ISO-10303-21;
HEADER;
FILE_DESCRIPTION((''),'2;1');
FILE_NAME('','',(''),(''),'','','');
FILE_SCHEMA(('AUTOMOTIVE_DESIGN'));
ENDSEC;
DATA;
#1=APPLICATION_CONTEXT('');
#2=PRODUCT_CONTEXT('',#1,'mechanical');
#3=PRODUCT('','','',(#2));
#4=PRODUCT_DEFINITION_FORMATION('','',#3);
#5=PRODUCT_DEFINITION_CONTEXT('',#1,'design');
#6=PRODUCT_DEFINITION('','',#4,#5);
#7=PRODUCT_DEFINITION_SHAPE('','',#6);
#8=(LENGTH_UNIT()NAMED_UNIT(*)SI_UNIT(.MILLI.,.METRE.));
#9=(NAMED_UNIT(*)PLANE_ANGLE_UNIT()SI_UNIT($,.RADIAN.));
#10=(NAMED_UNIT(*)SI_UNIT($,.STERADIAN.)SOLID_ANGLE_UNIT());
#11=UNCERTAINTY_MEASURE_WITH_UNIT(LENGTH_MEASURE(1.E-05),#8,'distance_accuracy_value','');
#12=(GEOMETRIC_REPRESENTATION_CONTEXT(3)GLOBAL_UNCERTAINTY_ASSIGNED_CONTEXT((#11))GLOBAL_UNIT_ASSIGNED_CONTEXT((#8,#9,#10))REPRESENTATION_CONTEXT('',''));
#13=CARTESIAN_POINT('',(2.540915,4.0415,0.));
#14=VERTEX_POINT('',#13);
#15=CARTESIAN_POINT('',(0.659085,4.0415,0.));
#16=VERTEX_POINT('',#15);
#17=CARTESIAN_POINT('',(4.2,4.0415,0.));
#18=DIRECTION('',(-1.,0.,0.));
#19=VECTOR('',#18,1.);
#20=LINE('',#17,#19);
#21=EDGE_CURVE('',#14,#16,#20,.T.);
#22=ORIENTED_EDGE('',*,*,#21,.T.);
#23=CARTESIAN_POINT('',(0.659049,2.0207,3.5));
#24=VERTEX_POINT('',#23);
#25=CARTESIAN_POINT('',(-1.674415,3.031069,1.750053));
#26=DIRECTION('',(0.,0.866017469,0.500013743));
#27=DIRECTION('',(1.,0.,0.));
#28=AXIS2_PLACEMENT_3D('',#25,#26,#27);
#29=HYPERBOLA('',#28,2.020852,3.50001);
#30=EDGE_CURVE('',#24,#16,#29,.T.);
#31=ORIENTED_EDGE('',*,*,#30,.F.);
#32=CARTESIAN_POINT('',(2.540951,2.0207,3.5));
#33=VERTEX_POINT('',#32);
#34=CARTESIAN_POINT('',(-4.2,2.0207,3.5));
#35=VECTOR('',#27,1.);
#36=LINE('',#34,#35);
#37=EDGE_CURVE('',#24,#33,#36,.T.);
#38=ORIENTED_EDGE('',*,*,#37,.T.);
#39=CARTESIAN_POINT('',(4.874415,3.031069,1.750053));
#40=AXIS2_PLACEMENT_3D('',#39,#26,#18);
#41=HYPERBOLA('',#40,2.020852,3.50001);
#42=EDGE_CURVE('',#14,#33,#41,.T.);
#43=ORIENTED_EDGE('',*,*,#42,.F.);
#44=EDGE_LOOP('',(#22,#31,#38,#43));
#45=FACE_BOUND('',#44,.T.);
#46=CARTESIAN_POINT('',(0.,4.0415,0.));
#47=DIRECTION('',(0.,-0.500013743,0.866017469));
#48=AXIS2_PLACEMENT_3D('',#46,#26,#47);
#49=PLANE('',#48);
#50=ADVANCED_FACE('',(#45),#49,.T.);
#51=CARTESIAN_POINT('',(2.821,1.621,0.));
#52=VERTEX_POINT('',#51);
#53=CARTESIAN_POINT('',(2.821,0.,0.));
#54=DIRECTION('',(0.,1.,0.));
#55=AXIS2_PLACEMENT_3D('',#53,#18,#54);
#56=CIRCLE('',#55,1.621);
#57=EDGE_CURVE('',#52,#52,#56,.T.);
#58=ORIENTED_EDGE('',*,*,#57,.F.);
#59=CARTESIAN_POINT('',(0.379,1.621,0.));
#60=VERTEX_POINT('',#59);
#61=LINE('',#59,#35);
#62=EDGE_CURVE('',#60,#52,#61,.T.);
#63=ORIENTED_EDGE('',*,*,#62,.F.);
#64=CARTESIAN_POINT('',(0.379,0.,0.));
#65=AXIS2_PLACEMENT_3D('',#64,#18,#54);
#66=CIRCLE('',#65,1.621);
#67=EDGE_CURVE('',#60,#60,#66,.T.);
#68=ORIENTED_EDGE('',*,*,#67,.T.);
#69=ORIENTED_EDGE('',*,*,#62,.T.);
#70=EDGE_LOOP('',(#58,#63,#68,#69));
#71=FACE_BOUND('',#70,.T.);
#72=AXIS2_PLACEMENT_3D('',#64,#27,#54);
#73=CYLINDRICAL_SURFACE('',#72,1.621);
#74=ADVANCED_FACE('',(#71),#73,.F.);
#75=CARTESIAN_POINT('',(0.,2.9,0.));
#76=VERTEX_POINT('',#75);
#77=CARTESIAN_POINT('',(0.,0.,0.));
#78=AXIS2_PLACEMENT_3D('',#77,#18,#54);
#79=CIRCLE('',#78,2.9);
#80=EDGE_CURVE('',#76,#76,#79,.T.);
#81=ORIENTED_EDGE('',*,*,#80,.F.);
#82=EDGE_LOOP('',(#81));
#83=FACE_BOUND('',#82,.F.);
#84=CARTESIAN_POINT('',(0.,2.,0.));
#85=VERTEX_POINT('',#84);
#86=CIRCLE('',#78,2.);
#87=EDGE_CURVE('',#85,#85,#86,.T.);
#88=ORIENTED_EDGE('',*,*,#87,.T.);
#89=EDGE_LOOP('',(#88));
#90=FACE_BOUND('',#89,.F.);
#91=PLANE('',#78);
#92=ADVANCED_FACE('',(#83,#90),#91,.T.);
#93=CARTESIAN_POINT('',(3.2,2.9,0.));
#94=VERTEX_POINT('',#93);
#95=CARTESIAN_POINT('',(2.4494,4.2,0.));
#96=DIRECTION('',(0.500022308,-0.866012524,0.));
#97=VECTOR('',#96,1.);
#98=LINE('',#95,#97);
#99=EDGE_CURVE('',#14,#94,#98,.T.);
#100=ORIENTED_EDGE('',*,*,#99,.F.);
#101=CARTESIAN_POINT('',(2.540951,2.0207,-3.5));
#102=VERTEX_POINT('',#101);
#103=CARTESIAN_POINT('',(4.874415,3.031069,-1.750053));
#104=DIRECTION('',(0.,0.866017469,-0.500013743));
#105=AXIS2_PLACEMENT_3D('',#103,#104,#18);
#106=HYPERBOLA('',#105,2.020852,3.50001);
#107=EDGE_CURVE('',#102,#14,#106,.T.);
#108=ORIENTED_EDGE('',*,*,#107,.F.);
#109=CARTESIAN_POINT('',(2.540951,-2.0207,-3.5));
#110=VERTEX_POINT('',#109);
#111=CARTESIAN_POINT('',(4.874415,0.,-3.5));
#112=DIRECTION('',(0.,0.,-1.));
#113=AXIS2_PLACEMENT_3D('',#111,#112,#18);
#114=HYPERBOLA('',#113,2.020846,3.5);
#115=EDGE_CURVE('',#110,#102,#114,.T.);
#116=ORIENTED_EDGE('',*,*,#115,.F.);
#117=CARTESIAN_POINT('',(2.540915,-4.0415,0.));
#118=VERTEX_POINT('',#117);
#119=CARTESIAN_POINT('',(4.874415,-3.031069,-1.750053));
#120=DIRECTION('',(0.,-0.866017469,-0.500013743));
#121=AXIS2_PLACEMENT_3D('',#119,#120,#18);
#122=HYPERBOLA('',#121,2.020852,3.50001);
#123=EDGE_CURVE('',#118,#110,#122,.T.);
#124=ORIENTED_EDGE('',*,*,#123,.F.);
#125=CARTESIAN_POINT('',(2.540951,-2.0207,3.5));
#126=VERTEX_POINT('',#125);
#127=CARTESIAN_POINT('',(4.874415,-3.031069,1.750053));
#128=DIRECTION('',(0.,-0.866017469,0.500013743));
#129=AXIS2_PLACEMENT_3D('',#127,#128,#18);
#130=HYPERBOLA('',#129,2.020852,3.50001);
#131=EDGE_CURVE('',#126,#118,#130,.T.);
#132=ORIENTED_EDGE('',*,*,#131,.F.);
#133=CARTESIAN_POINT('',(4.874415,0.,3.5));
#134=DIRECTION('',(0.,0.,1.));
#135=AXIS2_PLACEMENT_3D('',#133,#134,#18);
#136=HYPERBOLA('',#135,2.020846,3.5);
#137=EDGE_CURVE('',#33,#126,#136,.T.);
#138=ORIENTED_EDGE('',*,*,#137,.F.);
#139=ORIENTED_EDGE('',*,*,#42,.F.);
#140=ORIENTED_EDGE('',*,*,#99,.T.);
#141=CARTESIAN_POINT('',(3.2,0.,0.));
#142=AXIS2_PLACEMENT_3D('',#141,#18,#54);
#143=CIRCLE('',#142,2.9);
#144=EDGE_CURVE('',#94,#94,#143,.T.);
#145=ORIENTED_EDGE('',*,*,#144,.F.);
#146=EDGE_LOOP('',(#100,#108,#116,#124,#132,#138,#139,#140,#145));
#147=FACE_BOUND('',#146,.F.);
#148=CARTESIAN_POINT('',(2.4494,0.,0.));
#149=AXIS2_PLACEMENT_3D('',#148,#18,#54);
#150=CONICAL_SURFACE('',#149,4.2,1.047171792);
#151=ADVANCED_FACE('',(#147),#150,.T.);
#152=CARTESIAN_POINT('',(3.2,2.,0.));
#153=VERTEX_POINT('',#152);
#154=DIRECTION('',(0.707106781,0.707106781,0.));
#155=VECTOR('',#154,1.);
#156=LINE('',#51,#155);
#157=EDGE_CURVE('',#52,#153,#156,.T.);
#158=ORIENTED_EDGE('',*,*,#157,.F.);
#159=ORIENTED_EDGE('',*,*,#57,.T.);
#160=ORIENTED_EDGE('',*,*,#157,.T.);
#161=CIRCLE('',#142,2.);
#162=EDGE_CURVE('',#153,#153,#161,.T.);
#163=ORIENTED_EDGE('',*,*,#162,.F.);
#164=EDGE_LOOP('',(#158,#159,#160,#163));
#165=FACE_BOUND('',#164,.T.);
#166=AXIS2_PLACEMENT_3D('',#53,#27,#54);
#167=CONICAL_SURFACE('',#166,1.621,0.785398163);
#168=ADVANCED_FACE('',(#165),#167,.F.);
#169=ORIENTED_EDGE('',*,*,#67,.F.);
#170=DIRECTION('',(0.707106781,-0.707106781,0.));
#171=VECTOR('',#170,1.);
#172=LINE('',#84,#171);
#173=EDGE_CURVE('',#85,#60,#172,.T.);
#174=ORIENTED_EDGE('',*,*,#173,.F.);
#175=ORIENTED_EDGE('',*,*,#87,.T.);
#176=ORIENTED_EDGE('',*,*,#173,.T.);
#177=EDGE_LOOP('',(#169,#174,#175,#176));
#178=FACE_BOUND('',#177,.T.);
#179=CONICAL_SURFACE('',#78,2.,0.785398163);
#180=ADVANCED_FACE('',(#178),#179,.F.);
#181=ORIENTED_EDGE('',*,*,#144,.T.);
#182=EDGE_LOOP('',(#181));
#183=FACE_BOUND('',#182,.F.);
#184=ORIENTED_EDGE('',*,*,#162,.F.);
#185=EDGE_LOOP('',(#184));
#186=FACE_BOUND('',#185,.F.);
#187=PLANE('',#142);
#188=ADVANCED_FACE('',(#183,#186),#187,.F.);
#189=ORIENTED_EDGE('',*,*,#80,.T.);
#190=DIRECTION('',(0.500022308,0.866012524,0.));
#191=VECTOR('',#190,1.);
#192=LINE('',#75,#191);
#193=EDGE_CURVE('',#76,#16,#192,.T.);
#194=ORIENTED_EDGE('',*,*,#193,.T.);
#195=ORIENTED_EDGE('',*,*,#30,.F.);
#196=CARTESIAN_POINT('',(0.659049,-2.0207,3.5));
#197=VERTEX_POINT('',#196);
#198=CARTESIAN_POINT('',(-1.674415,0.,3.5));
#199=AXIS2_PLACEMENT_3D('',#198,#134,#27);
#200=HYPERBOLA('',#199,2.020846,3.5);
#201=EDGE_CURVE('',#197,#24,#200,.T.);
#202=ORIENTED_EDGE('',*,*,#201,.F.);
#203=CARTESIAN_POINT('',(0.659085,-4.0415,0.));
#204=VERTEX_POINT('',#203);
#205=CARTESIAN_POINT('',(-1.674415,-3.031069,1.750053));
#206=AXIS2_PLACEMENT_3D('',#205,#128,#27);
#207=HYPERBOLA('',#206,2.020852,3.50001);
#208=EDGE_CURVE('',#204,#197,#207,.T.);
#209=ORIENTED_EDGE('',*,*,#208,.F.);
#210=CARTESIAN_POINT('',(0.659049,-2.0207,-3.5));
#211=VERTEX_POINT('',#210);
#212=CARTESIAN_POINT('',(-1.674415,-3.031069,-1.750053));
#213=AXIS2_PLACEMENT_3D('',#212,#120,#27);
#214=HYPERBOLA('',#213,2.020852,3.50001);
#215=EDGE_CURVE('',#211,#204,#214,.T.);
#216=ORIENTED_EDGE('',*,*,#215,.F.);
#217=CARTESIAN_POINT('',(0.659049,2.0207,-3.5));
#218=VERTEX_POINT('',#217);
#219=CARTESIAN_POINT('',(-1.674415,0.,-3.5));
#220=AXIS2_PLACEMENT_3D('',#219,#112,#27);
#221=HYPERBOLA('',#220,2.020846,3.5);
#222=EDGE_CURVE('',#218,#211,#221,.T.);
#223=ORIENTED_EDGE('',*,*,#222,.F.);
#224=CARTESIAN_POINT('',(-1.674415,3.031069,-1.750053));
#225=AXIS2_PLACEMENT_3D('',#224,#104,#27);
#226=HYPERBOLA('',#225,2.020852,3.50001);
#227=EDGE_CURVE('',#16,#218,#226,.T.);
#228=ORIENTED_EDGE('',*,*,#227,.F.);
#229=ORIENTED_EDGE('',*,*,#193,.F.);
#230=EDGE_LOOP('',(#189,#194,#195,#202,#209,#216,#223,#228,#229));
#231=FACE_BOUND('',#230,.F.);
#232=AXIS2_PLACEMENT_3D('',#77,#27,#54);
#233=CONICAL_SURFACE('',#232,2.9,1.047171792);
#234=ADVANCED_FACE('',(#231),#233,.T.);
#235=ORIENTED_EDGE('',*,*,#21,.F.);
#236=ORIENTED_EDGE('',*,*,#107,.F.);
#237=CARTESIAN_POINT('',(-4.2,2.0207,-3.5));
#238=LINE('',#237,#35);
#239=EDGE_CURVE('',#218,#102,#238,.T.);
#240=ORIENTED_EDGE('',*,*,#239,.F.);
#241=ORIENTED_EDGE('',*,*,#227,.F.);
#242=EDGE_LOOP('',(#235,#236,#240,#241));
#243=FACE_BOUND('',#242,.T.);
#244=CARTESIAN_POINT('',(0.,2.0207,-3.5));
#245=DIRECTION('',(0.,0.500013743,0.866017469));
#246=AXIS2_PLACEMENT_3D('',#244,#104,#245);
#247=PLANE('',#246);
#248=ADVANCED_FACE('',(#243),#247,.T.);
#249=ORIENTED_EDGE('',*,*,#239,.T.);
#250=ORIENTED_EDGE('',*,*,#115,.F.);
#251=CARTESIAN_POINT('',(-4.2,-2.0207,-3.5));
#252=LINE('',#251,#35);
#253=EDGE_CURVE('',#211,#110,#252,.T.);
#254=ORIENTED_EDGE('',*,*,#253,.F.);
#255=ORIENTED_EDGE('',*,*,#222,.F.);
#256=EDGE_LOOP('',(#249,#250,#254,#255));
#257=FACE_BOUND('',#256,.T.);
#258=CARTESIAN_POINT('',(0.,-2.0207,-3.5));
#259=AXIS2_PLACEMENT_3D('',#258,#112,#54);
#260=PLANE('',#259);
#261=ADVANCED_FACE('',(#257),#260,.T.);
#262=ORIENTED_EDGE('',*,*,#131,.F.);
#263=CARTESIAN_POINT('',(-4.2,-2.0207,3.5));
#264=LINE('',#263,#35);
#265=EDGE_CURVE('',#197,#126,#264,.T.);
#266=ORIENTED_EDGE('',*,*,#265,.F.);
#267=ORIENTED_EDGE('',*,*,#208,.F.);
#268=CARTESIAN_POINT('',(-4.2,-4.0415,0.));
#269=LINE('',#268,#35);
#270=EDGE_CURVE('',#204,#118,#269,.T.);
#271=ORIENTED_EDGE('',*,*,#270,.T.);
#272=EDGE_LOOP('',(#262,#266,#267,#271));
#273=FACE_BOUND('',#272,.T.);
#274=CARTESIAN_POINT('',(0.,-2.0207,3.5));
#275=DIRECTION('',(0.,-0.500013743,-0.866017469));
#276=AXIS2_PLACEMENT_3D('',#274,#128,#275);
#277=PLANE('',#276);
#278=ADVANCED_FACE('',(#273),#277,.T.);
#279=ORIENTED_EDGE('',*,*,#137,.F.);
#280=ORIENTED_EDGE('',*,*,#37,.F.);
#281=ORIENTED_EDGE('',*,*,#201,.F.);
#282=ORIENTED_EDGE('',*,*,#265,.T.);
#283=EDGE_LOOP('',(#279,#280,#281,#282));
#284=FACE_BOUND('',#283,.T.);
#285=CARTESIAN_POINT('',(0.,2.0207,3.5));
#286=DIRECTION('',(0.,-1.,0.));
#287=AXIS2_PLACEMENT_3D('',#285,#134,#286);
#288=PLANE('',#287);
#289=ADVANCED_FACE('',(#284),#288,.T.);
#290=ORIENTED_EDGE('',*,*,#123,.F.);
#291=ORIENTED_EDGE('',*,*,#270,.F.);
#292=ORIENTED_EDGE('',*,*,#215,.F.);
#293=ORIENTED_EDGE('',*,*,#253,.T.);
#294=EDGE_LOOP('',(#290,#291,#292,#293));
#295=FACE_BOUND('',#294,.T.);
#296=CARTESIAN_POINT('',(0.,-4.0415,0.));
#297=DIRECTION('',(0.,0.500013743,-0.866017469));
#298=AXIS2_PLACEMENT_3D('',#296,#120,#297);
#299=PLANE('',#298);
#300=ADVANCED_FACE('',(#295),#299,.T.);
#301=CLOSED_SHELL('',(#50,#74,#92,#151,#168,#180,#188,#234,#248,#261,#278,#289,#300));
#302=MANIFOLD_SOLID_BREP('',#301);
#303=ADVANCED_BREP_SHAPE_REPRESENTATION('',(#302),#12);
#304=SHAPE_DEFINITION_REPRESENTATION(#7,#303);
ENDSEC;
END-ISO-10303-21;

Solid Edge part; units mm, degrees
sketch "Sketch1" plane through (0, 0, 0) normal (0, 0, 1) x (1, 0, 0)
  line L0 (0, 0) -> (0, 4.2)
  line L1 (0, 4.2) -> (3.2, 4.2)
  line L2 (3.2, 4.2) -> (3.2, 0)
  line L3 (3.2, 0) -> (0, 0)
revolve "RevolvedProtrusion1" add sketch "Sketch1" angle 360 about axis through (3.2, 0, 0) along (-1, 0, 0)
sketch "Sketch2" plane through (0, 0, 0) normal (0, 0, 1) x (1, 0, 0)
  line L0 (-1, 7) -> (-1, 2.9)
  line L1 (-1, 2.9) -> (0, 2.9)
  line L2 (0, 2.9) -> (0.7506, 4.2)
  line L3 (0.7506, 4.2) -> (2.4494, 4.2)
  line L4 (2.4494, 4.2) -> (3.2, 2.9)
  line L5 (3.2, 2.9) -> (3.52, 2.9)
  line L6 (3.52, 2.9) -> (3.52, 7)
  line L7 (3.52, 7) -> (-1, 7)
revolve "RevolvedCutout1" cut sketch "Sketch2" angle 360 about axis through (3.2, 0, 0) along (-1, 0, 0)
sketch "Sketch3" plane through (0, 0, 0) normal (0, 0, 1) x (1, 0, 0)
  line L0 (0, 0) -> (0, 2)
  line L1 (0, 2) -> (0.379, 1.621)
  line L2 (0.379, 1.621) -> (2.821, 1.621)
  line L3 (2.821, 1.621) -> (3.2, 2)
  line L4 (3.2, 2) -> (3.2, 0)
  line L5 (3.2, 0) -> (0, 0)
revolve "RevolvedCutout2" cut sketch "Sketch3" angle 360 about axis through (3.2, 0, 0) along (-1, 0, 0)
sketch "Sketch4" plane through (0, 0, 0) normal (1, 0, 0) x (0, 1, 0)
  line L0 (14, 14) -> (-14, 14)
  line L1 (-14, 14) -> (-14, -14)
  line L2 (-14, -14) -> (14, -14)
  line L3 (14, -14) -> (14, 14)
  line L4 (-2.0207, 3.5) -> (-4.0415, 0)
  line L5 (-4.0415, 0) -> (-2.0207, -3.5)
  line L6 (-2.0207, -3.5) -> (2.0207, -3.5)
  line L7 (2.0207, -3.5) -> (4.0415, 0)
  line L8 (4.0415, 0) -> (2.0207, 3.5)
  line L9 (2.0207, 3.5) -> (-2.0207, 3.5)
extrude "ExtrudedCutout_1" cut sketch "Sketch4" against normal blind 4.2 and the other way blind 4.2
properties part number "Hexagon nut DIN 934 M4 01100.040.001(High)"
